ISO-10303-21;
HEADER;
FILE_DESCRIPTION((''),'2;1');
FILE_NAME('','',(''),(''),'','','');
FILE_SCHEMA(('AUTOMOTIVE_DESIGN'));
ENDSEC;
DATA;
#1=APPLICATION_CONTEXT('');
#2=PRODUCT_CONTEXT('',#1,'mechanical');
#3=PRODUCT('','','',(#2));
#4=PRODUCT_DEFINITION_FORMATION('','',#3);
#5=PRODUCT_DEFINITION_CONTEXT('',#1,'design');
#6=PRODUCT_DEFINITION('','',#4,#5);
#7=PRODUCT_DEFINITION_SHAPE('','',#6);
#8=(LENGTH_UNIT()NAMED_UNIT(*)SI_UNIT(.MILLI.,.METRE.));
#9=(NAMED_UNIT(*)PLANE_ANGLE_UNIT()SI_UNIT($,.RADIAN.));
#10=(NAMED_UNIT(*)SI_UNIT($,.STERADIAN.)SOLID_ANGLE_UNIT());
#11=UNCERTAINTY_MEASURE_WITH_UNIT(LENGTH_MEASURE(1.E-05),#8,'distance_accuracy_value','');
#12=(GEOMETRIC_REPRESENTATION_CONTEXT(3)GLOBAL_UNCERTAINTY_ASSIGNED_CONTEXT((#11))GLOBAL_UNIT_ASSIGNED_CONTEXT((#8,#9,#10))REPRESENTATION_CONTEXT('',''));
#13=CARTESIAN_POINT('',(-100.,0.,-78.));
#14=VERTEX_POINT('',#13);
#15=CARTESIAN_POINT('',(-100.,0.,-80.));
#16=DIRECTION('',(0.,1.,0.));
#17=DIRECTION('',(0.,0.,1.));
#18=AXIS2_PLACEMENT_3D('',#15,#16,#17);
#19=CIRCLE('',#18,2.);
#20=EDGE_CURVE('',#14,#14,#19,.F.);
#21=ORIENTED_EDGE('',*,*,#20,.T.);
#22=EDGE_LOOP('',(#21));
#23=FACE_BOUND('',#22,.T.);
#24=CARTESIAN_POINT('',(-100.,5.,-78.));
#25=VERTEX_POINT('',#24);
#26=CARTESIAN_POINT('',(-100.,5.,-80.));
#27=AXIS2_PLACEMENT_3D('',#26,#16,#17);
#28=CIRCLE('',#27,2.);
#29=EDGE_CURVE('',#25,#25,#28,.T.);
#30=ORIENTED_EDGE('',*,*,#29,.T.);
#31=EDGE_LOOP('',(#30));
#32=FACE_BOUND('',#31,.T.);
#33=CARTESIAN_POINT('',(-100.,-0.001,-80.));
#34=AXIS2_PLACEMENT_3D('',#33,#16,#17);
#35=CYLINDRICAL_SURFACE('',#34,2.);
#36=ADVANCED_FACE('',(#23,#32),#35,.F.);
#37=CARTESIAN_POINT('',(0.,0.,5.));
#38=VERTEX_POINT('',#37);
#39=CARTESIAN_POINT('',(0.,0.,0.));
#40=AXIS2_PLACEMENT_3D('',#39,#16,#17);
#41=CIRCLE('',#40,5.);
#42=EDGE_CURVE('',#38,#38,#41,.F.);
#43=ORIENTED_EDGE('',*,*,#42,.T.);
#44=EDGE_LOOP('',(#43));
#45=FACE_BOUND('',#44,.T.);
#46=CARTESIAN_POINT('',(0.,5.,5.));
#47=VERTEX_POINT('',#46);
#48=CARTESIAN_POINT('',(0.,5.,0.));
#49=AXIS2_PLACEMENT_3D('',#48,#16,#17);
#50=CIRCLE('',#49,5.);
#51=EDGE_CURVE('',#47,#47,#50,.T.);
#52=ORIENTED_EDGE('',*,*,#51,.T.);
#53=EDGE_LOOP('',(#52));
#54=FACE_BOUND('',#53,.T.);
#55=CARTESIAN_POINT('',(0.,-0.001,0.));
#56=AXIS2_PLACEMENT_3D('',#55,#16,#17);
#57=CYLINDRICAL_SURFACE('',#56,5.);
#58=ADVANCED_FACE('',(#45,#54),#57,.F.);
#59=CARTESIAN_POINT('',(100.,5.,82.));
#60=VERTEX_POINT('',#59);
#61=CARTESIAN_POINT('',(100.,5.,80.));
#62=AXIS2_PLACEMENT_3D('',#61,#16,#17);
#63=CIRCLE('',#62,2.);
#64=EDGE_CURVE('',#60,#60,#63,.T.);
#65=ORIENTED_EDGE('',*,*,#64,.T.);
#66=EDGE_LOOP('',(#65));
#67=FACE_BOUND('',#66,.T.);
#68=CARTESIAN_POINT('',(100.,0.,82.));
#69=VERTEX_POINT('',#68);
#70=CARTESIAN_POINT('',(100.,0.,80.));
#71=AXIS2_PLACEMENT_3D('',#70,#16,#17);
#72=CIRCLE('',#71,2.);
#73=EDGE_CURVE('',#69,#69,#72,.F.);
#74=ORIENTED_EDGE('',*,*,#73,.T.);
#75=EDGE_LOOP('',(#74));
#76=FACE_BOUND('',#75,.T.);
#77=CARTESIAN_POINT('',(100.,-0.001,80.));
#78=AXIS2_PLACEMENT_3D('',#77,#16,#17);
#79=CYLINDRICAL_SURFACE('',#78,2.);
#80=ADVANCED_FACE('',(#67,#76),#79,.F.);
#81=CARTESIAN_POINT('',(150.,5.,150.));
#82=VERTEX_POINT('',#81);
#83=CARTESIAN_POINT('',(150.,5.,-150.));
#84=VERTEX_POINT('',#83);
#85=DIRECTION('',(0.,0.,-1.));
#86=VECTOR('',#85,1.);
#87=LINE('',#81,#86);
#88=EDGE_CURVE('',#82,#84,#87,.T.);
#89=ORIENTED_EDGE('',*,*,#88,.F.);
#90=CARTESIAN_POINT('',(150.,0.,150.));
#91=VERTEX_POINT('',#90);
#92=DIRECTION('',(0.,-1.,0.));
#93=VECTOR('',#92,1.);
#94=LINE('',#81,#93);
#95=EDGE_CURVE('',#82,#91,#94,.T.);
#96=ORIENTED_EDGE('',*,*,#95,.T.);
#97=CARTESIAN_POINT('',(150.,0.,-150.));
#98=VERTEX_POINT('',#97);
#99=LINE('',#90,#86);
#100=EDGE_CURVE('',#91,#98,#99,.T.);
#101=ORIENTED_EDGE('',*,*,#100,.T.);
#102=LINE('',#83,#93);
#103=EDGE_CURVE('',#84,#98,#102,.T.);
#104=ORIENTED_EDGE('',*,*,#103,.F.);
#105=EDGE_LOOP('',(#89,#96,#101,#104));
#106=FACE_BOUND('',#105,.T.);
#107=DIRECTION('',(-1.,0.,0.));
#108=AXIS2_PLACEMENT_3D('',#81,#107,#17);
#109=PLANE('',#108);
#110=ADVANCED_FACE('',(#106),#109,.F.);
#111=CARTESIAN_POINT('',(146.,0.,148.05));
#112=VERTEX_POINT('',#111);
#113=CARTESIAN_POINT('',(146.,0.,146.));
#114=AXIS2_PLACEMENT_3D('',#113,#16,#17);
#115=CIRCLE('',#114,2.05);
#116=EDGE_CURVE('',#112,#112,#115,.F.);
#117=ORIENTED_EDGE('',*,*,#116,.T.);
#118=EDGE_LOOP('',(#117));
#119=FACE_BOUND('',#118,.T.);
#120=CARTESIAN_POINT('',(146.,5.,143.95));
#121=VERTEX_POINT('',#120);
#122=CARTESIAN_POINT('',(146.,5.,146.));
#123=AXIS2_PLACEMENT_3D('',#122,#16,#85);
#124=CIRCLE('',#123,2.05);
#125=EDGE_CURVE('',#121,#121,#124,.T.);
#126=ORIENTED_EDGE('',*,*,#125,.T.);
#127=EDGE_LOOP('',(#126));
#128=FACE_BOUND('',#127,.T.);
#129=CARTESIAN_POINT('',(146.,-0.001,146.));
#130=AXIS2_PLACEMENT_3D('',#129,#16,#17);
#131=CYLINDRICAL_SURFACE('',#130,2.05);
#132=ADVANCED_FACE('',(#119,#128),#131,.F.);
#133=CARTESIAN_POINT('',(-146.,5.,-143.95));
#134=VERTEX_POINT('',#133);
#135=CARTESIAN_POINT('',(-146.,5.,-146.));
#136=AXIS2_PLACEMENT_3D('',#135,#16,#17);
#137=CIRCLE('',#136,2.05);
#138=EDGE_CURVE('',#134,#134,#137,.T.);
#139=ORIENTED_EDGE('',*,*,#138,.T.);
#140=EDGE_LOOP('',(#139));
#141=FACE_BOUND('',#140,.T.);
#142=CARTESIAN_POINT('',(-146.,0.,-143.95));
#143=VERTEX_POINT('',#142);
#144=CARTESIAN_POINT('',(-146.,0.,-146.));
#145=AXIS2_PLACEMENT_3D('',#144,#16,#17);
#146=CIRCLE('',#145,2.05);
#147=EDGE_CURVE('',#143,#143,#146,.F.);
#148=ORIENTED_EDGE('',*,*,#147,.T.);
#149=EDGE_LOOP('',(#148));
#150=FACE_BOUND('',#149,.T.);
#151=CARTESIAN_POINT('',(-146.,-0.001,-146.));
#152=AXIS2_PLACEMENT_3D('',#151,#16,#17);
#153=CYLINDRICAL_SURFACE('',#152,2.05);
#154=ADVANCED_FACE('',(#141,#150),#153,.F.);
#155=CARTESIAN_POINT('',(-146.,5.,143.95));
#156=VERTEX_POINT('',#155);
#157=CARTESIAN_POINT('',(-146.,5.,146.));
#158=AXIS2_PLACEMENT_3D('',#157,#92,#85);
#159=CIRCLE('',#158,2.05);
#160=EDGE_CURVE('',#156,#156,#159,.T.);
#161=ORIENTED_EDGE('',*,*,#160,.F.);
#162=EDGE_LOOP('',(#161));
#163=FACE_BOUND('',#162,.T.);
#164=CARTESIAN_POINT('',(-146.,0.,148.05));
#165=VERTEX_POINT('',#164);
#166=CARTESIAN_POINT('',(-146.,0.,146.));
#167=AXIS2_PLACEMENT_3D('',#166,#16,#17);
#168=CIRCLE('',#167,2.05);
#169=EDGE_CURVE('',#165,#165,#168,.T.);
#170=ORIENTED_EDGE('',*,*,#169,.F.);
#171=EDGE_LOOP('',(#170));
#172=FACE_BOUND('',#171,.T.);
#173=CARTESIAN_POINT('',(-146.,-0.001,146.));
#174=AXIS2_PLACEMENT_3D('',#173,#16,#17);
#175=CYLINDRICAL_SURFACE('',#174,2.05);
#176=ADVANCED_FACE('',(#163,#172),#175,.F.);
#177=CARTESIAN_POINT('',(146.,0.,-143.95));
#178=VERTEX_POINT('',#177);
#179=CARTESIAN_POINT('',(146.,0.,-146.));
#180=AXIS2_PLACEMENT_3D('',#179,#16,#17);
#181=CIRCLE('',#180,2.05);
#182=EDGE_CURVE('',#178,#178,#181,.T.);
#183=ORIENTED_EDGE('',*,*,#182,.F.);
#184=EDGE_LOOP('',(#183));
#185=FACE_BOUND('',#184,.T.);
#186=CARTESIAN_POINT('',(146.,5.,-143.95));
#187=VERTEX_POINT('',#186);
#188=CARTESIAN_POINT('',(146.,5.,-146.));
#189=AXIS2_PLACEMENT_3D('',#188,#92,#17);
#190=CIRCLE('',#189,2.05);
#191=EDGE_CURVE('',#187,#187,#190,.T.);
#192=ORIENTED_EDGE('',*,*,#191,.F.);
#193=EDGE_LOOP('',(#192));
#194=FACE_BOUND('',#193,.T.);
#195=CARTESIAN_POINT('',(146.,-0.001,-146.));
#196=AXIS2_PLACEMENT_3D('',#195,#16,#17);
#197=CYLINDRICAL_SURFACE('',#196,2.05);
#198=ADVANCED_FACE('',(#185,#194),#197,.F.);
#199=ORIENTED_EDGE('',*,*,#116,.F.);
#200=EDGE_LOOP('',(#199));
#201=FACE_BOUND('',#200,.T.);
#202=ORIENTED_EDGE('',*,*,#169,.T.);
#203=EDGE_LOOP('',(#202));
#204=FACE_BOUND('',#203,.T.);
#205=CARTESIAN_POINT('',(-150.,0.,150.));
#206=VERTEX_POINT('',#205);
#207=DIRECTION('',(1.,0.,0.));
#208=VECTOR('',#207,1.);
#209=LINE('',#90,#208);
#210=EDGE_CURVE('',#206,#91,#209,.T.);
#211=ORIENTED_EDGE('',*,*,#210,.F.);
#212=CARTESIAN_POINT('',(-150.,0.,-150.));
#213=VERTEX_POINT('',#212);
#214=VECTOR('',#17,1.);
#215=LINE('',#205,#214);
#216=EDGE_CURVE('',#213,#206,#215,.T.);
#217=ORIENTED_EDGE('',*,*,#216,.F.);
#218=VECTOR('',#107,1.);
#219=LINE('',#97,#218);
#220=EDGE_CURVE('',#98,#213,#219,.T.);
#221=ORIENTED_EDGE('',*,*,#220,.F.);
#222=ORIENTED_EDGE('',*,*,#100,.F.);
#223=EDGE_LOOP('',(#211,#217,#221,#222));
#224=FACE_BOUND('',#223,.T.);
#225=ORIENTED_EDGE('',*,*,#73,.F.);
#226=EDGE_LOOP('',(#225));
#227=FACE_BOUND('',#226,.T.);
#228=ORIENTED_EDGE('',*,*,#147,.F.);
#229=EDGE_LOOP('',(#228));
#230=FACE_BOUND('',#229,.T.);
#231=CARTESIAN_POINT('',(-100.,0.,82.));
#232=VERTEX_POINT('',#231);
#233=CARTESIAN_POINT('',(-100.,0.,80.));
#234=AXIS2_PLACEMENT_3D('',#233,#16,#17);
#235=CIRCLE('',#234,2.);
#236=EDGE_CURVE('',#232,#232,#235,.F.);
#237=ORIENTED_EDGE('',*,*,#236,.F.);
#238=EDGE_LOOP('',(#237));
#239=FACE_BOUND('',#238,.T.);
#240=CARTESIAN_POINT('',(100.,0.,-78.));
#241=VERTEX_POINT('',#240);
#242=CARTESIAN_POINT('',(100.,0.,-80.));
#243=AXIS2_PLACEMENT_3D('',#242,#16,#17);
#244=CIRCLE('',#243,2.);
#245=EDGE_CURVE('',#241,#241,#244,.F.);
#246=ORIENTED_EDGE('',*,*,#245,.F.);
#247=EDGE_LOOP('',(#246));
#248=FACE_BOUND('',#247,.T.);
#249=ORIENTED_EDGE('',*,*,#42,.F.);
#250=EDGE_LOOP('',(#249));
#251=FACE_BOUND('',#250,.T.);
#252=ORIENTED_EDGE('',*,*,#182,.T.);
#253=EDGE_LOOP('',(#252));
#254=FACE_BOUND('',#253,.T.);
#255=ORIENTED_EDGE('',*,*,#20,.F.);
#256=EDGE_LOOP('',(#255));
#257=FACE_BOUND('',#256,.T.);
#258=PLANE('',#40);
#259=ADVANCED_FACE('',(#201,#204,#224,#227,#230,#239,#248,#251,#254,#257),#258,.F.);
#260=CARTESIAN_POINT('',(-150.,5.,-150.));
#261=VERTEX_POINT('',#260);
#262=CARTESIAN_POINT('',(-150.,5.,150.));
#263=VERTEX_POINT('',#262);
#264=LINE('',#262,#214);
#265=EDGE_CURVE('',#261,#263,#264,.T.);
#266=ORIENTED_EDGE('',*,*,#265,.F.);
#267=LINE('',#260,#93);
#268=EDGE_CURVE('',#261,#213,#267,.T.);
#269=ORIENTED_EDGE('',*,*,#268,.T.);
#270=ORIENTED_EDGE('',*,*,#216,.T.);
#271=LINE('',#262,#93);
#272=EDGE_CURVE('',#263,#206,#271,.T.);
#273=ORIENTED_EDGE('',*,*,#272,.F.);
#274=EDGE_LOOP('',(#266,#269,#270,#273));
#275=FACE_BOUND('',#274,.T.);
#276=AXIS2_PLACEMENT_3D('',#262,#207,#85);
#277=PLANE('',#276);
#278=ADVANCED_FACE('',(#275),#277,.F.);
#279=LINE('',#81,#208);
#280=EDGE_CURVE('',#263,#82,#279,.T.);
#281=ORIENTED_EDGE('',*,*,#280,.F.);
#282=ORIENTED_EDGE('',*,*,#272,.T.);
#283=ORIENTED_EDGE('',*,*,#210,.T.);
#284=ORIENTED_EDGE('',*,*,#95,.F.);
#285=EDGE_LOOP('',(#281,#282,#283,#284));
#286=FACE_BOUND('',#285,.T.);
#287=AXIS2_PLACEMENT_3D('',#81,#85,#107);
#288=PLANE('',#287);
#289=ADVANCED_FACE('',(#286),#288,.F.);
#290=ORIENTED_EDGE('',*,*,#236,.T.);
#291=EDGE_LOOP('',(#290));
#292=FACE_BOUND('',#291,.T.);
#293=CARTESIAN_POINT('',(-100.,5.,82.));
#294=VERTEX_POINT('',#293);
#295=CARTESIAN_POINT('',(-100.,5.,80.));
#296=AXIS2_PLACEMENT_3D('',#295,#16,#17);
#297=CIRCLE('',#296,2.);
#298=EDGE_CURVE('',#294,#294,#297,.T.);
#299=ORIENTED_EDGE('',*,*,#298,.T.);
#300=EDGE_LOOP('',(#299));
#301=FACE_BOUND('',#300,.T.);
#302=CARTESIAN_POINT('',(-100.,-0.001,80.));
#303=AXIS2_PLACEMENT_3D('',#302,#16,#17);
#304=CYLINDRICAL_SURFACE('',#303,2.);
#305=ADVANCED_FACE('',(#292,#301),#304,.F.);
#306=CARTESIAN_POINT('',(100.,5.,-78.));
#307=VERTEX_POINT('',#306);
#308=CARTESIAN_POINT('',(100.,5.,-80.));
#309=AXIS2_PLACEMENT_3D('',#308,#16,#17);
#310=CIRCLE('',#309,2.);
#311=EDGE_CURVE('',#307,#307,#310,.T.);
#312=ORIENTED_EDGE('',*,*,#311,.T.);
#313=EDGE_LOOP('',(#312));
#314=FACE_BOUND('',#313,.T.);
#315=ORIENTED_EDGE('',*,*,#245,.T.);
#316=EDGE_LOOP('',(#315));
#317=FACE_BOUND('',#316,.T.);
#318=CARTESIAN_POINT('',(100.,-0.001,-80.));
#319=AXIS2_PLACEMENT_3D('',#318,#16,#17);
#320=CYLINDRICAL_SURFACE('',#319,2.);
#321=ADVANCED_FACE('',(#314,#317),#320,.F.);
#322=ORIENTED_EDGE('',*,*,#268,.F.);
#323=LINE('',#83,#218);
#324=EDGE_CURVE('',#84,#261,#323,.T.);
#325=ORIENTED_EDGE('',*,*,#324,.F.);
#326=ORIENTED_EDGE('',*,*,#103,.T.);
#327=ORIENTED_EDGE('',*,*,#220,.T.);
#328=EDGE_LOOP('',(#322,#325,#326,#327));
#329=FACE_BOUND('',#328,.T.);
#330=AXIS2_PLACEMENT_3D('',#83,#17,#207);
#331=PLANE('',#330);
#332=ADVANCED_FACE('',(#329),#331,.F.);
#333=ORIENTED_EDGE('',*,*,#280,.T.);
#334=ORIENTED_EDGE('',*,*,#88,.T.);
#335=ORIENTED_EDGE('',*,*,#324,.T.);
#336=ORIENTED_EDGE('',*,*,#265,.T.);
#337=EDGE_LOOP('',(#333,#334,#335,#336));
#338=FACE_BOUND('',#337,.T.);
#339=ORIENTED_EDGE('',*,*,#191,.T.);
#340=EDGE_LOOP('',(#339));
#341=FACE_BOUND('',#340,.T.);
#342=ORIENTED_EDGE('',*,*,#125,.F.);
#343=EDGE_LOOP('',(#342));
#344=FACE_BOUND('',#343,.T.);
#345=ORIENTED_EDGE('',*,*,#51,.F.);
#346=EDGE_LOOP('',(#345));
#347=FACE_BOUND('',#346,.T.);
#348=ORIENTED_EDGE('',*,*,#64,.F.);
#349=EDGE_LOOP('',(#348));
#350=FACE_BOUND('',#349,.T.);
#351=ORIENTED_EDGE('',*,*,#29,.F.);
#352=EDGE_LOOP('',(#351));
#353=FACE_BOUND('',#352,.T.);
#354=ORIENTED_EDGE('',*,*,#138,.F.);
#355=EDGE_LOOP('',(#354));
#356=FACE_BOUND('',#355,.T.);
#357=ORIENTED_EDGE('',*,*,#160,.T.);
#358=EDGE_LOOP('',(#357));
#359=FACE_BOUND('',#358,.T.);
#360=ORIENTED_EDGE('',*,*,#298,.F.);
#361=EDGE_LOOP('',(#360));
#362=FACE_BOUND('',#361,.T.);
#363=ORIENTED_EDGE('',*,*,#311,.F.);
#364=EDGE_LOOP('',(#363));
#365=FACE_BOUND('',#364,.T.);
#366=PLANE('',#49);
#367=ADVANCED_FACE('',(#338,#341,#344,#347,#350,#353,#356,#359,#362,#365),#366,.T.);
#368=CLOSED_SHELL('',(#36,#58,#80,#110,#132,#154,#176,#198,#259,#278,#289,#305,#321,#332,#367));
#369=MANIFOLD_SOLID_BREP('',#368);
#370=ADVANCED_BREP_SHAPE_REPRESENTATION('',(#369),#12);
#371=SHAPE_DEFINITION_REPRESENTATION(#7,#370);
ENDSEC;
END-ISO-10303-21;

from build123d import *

# Parameters (mm, degrees)
SKETCH1_W                                  = 300
SKETCH1_H                                  = 300
BOSS_EXTRUDE1_DEPTH                        = 5
CUT_EXTRUDE1_REACH                         = 214.191
SKETCH2_R                                  = 2.05
MIRROR1_AT_THE_SECOND_PLANE_COPY_1_REACH   = 214.191
MIRROR1_AT_THE_SECOND_PLANE_COPY_1_SKETC_R = 2.05
CUT_EXTRUDE2_REACH                         = 214.191
SKETCH3_R                                  = 2
SKETCH3_R_2                                = 5


with BuildPart() as part:
    # Sketch1 → Boss-Extrude1 (new body)
    with BuildSketch(Plane(origin=(0, 0, 0), x_dir=(1, 0, 0), z_dir=(0, 1, 0))):
        Rectangle(SKETCH1_W, SKETCH1_H)
    extrude(amount=BOSS_EXTRUDE1_DEPTH)

    # Sketch2 → Cut-Extrude1 (cut, up to next)
    with BuildSketch(Plane(origin=(0, 5, 0), x_dir=(1, 0, 0), z_dir=(0, 1, 0)), mode=Mode.PRIVATE) as cut_extrude1_sk1:
        with Locations(Location((-146, 146, 0), (0, 0, 270))):
            Circle(SKETCH2_R)
    cut_extrude1_tool1 = extrude(cut_extrude1_sk1.sketch, amount=-CUT_EXTRUDE1_REACH, mode=Mode.PRIVATE) & part.part
    cut_extrude1 = cut_extrude1_tool1.solids().sort_by_distance((-146, 5, -146))[0]
    add(cut_extrude1, mode=Mode.SUBTRACT)

    # Mirror1: Cut-Extrude1 across plane
    add(cut_extrude1.mirror(Plane(origin=(0, 0, 0), x_dir=(0, 0, 1), z_dir=(1, 0, 0))), mode=Mode.SUBTRACT)

    # Mirror1 at the second plane: Cut-Extrude1 across plane
    add(cut_extrude1.mirror(Plane.XY), mode=Mode.SUBTRACT)

    # Mirror1 at the second plane copy 1 sketc → Mirror1 at the second plane copy 1 (cut, up to next)
    with BuildSketch(Plane(origin=(0, 5, 0), x_dir=(-1, 0, 0), z_dir=(0, 1, 0)), mode=Mode.PRIVATE) as mirror1_at_the_second_plane_copy_1_sk1:
        with Locations(Location((-146, 146, 0), (0, 0, 270))):
            Circle(MIRROR1_AT_THE_SECOND_PLANE_COPY_1_SKETC_R)
    mirror1_at_the_second_plane_copy_1_tool1 = extrude(mirror1_at_the_second_plane_copy_1_sk1.sketch, amount=-MIRROR1_AT_THE_SECOND_PLANE_COPY_1_REACH, mode=Mode.PRIVATE) & part.part
    add(mirror1_at_the_second_plane_copy_1_tool1.solids().sort_by_distance((146, 5, 146))[0], mode=Mode.SUBTRACT)

    # Sketch3 → Cut-Extrude2 (cut, up to next)
    with BuildSketch(Plane(origin=(0, 5, 0), x_dir=(1, 0, 0), z_dir=(0, 1, 0)), mode=Mode.PRIVATE) as cut_extrude2_sk1:
        with Locations(Location((-100, 80, 0), (0, 0, 270))):
            Circle(SKETCH3_R)
    cut_extrude2_tool1 = extrude(cut_extrude2_sk1.sketch, amount=-CUT_EXTRUDE2_REACH, mode=Mode.PRIVATE) & part.part
    # Sketch3 → Cut-Extrude2 (cut, up to next)
    with BuildSketch(Plane(origin=(0, 5, 0), x_dir=(1, 0, 0), z_dir=(0, 1, 0)), mode=Mode.PRIVATE) as cut_extrude2_sk2:
        with Locations(Location((100, 80, 0), (0, 0, 270))):
            Circle(SKETCH3_R)
    cut_extrude2_tool2 = extrude(cut_extrude2_sk2.sketch, amount=-CUT_EXTRUDE2_REACH, mode=Mode.PRIVATE) & part.part
    # Sketch3 → Cut-Extrude2 (cut, up to next)
    with BuildSketch(Plane(origin=(0, 5, 0), x_dir=(1, 0, 0), z_dir=(0, 1, 0)), mode=Mode.PRIVATE) as cut_extrude2_sk3:
        with Locations(Location((100, -80, 0), (0, 0, 270))):
            Circle(SKETCH3_R)
    cut_extrude2_tool3 = extrude(cut_extrude2_sk3.sketch, amount=-CUT_EXTRUDE2_REACH, mode=Mode.PRIVATE) & part.part
    # Sketch3 → Cut-Extrude2 (cut, up to next)
    with BuildSketch(Plane(origin=(0, 5, 0), x_dir=(1, 0, 0), z_dir=(0, 1, 0)), mode=Mode.PRIVATE) as cut_extrude2_sk4:
        with Locations(Location((-100, -80, 0), (0, 0, 270))):
            Circle(SKETCH3_R)
    cut_extrude2_tool4 = extrude(cut_extrude2_sk4.sketch, amount=-CUT_EXTRUDE2_REACH, mode=Mode.PRIVATE) & part.part
    # Sketch3 → Cut-Extrude2 (cut, up to next)
    with BuildSketch(Plane(origin=(0, 5, 0), x_dir=(1, 0, 0), z_dir=(0, 1, 0)), mode=Mode.PRIVATE) as cut_extrude2_sk5:
        with Locations(Location((0, 0, 0), (0, 0, 270))):
            Circle(SKETCH3_R_2)
    cut_extrude2_tool5 = extrude(cut_extrude2_sk5.sketch, amount=-CUT_EXTRUDE2_REACH, mode=Mode.PRIVATE) & part.part
    add(cut_extrude2_tool1.solids().sort_by_distance((-100, 5, -80))[0], mode=Mode.SUBTRACT)
    add(cut_extrude2_tool2.solids().sort_by_distance((100, 5, -80))[0], mode=Mode.SUBTRACT)
    add(cut_extrude2_tool3.solids().sort_by_distance((100, 5, 80))[0], mode=Mode.SUBTRACT)
    add(cut_extrude2_tool4.solids().sort_by_distance((-100, 5, 80))[0], mode=Mode.SUBTRACT)
    add(cut_extrude2_tool5.solids().sort_by_distance((0, 5, 0))[0], mode=Mode.SUBTRACT)


solid = part.part
